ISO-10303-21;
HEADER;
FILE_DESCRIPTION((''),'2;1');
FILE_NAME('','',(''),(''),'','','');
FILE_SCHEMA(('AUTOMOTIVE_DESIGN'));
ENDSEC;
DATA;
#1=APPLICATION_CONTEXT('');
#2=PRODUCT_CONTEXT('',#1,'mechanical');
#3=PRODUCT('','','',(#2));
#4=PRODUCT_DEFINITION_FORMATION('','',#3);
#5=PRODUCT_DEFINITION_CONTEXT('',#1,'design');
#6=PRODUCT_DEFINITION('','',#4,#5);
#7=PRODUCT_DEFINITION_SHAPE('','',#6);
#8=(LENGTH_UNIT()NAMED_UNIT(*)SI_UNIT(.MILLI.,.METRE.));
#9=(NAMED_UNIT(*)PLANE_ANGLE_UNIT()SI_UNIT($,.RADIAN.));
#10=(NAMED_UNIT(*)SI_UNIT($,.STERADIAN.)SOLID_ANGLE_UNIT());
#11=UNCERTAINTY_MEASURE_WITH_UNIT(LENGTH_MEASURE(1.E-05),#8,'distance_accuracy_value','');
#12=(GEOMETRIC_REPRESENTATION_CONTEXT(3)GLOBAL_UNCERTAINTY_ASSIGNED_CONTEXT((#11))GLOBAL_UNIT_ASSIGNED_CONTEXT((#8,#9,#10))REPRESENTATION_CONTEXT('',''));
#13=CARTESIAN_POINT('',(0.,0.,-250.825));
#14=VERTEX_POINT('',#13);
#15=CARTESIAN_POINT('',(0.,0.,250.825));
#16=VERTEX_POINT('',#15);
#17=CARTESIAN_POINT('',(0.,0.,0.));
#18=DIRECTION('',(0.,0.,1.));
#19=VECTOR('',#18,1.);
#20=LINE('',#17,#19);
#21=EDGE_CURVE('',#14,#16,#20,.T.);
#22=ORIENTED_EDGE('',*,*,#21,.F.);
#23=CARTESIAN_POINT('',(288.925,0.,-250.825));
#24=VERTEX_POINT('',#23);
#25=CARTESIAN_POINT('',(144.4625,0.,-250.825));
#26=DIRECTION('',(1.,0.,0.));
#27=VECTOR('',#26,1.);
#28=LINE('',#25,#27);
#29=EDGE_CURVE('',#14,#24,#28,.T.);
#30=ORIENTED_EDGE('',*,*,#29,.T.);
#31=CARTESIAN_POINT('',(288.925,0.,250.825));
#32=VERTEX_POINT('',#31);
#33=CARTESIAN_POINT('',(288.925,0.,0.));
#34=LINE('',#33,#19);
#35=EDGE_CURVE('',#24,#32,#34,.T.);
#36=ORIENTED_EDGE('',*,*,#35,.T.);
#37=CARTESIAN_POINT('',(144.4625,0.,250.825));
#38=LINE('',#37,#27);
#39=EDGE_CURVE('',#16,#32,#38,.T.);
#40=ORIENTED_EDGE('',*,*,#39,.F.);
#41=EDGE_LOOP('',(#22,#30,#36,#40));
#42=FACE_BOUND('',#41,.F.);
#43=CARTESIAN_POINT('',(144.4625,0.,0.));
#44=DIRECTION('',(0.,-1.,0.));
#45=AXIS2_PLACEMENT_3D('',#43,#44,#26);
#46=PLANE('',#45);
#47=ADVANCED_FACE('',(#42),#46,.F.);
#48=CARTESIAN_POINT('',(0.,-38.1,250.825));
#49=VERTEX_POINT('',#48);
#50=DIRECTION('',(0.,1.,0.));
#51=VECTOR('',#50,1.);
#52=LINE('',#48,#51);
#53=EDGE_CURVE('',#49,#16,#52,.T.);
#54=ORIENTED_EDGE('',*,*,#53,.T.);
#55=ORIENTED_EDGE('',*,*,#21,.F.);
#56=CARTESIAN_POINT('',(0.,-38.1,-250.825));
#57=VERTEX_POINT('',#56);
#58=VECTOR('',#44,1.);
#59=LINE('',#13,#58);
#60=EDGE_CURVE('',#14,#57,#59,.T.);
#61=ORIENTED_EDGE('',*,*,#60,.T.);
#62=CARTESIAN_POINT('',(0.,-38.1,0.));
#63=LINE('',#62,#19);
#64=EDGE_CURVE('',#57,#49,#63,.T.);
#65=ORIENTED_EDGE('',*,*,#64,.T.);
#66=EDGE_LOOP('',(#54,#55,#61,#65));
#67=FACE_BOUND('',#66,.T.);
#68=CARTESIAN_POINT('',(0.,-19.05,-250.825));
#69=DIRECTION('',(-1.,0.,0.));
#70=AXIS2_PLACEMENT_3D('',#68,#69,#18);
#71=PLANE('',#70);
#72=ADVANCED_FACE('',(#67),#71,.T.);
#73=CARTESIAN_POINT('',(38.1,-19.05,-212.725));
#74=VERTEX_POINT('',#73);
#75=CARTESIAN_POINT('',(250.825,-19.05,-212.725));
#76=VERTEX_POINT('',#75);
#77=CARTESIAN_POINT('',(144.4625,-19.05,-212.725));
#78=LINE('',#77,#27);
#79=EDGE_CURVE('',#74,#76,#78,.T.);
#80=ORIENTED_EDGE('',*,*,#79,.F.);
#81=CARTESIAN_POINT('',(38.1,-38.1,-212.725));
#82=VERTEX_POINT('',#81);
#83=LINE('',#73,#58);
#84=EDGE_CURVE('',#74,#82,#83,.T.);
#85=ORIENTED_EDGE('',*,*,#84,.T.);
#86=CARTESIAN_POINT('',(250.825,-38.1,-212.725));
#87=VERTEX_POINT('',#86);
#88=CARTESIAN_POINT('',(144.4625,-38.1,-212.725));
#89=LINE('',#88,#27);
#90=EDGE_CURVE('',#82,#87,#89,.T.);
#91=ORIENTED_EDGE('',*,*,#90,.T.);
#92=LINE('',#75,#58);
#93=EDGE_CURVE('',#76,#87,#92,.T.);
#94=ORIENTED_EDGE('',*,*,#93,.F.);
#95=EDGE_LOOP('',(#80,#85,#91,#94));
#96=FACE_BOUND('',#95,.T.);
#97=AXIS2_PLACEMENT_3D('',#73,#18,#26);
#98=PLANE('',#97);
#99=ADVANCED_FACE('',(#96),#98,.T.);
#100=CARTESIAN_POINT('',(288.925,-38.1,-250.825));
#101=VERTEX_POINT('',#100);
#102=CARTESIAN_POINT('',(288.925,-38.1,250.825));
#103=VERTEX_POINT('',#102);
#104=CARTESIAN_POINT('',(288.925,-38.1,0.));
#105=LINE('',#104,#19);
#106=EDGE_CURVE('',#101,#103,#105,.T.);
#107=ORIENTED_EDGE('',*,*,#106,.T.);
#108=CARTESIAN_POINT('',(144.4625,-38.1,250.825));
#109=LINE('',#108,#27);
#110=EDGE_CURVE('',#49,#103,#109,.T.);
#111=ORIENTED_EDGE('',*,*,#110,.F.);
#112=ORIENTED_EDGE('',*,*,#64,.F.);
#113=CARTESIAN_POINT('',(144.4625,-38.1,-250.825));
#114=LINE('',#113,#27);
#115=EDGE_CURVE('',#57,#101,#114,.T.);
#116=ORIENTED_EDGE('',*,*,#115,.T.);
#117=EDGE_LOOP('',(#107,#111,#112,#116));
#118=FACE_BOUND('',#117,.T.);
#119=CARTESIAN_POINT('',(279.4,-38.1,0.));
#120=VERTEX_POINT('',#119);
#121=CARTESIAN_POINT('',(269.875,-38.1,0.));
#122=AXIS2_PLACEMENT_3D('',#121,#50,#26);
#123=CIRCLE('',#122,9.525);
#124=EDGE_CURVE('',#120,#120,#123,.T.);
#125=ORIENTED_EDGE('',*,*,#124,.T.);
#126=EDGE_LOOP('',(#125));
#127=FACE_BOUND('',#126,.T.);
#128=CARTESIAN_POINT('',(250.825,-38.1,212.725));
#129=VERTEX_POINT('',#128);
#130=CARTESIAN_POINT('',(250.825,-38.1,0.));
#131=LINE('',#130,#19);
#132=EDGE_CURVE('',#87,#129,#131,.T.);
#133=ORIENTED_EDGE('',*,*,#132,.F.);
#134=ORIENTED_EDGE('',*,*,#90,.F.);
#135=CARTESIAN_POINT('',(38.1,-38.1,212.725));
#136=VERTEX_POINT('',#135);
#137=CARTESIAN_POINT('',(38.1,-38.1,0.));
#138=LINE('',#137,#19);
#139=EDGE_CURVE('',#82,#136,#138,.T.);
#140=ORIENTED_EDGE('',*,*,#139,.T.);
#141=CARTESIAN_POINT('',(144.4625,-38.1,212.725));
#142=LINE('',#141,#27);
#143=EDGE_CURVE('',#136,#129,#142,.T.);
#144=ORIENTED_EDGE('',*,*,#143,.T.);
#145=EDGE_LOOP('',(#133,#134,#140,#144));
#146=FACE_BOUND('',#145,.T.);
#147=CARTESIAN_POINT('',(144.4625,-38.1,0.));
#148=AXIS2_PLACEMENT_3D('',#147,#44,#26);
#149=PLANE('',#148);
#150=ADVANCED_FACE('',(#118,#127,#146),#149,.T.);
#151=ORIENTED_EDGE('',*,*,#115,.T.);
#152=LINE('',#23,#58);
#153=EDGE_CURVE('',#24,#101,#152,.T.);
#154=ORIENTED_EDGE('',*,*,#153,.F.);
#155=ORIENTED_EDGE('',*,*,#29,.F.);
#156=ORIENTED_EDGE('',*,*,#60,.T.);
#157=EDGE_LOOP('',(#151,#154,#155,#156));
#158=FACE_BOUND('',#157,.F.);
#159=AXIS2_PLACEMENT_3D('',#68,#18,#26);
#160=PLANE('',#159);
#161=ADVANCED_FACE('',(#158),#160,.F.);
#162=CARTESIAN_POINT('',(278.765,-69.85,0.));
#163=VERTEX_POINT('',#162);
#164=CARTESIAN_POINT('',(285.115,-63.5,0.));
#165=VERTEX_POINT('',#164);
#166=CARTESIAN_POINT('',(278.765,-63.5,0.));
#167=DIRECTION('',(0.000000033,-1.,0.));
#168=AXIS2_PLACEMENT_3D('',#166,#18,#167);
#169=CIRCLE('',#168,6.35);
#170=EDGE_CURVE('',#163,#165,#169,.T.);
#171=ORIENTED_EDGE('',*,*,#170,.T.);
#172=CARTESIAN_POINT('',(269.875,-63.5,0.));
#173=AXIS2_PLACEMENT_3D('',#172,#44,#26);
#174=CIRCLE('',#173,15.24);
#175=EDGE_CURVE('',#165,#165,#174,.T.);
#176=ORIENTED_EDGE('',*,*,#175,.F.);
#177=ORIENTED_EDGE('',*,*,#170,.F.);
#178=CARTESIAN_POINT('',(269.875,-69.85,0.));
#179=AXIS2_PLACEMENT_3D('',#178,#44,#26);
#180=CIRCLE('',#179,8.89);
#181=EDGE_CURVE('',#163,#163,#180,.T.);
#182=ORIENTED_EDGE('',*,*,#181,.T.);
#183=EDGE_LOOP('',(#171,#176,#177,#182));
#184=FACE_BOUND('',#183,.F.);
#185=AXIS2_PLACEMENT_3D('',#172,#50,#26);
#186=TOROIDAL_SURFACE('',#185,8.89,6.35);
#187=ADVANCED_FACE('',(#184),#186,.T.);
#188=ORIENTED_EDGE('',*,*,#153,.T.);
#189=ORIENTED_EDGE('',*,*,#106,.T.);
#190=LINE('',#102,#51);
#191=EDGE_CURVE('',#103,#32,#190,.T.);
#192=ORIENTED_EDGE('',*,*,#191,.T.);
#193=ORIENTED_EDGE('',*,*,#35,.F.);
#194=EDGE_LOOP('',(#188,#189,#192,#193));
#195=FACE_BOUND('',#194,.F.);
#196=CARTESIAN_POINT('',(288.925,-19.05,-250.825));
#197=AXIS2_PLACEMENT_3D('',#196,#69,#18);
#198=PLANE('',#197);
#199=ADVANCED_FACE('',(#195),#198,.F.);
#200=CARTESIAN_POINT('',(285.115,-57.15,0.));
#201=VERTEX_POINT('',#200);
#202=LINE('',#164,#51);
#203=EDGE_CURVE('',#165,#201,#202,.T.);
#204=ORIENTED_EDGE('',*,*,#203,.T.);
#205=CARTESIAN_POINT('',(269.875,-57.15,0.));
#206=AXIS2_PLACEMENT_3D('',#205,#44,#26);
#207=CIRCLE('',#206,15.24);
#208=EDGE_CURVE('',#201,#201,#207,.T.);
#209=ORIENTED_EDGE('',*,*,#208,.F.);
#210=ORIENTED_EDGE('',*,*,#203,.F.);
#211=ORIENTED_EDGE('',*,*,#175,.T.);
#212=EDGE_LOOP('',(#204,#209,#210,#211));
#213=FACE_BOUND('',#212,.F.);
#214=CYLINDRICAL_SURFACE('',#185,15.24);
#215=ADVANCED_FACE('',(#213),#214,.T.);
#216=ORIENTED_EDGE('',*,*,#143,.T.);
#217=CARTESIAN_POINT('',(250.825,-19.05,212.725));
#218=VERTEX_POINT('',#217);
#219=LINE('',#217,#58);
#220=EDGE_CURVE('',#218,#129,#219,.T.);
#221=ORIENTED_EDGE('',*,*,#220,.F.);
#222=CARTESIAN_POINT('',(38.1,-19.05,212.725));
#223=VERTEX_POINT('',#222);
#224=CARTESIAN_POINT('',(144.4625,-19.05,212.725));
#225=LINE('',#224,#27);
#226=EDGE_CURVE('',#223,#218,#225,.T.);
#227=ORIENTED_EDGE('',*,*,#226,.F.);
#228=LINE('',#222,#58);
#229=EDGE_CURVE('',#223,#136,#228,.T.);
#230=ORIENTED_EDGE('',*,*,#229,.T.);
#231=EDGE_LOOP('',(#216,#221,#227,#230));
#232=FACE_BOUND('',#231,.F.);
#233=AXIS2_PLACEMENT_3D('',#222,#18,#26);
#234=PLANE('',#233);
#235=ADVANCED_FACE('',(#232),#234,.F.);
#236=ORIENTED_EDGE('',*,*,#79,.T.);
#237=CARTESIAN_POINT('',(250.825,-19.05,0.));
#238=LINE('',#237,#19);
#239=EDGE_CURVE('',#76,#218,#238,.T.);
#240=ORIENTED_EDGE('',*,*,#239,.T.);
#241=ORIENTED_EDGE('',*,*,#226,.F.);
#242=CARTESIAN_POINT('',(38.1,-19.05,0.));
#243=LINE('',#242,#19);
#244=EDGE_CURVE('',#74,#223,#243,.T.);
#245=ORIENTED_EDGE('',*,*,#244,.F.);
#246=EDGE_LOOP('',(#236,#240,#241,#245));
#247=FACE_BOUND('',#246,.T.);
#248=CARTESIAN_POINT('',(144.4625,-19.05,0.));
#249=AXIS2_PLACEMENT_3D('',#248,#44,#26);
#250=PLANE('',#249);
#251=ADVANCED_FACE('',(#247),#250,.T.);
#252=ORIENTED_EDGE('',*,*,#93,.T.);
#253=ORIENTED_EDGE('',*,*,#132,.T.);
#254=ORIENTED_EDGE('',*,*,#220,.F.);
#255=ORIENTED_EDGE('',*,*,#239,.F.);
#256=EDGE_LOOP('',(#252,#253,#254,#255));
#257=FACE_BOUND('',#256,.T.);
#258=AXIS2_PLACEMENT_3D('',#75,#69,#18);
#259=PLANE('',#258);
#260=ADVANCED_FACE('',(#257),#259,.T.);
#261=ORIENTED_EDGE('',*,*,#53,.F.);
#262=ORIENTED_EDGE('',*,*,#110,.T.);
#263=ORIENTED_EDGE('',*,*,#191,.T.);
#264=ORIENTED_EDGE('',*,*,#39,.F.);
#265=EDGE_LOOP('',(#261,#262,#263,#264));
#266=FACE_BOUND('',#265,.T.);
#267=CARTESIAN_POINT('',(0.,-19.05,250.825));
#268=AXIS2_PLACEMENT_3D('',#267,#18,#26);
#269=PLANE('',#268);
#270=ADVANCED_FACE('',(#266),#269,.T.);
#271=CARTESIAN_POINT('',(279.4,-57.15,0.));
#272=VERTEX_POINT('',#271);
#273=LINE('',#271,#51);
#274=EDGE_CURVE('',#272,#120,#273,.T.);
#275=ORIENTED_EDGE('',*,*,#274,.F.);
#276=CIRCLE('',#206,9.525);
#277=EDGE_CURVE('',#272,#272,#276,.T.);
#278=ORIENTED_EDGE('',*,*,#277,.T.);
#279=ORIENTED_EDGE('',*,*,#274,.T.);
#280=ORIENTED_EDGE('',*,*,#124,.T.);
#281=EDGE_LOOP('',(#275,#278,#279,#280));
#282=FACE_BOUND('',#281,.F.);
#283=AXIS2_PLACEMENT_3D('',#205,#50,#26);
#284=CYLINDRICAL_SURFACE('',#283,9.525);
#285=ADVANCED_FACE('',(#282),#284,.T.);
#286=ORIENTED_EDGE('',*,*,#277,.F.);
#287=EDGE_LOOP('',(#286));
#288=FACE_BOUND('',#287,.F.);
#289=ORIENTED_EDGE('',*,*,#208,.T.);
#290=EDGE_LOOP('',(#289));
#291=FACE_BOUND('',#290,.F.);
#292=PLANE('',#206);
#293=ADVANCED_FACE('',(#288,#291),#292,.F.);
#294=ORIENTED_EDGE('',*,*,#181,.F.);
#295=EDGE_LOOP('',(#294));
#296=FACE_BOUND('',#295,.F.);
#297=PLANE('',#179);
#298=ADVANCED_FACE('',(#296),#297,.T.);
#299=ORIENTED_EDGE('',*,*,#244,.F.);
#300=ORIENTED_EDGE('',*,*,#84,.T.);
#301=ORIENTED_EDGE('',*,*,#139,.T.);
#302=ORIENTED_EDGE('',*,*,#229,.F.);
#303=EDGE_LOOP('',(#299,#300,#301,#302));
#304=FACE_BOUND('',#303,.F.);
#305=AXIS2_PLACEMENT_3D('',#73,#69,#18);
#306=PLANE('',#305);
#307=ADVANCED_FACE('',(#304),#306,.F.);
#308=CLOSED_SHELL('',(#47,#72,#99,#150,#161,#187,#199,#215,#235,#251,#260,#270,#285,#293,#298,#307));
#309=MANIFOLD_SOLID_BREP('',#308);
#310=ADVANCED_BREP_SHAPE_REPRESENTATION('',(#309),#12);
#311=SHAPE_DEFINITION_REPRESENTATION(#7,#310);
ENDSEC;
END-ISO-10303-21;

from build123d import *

# Parameters (mm, degrees)
F0_W     = 288.925
F0_H     = 501.65
F1_DEPTH = 19.05
F2_W     = 288.925
F2_H     = 501.65
F2_W_2   = 212.725
F2_H_2   = 425.45
F3_DEPTH = 19.05


with BuildPart() as f1:
    # F0 (on Front) → F1 (new body)
    with BuildSketch(Plane.XZ):
        with Locations((144.4625, 0)):
            Rectangle(F0_W, F0_H)
    extrude(amount=F1_DEPTH)

    # F2 (on face) → F3 (join)
    with BuildSketch(Plane.XZ.offset(19.05)):
        with Locations((144.4625, 0)):
            Rectangle(F2_W, F2_H)
        with Locations((144.4625, 0)):
            Rectangle(F2_W_2, F2_H_2, mode=Mode.SUBTRACT)
    extrude(amount=F3_DEPTH)

    # F4 (on Top) → F5 (revolve)
    with BuildSketch(Plane.XY):
        with BuildLine():
            Line((279.4, -57.15), (279.4, 0))
            Line((279.4, 0), (269.875, 0))
            Line((269.875, 0), (269.875, -69.85))
            Line((269.875, -69.85), (278.765, -69.85))
            ThreePointArc((278.765, -69.85), (283.255128, -67.990128), (285.115, -63.5))
            Line((285.115, -63.5), (285.115, -57.15))
            Line((285.115, -57.15), (279.4, -57.15))
        make_face()
    revolve(axis=Axis((269.875, -127, 0), (0, -1, 0)))


solid = f1.part
